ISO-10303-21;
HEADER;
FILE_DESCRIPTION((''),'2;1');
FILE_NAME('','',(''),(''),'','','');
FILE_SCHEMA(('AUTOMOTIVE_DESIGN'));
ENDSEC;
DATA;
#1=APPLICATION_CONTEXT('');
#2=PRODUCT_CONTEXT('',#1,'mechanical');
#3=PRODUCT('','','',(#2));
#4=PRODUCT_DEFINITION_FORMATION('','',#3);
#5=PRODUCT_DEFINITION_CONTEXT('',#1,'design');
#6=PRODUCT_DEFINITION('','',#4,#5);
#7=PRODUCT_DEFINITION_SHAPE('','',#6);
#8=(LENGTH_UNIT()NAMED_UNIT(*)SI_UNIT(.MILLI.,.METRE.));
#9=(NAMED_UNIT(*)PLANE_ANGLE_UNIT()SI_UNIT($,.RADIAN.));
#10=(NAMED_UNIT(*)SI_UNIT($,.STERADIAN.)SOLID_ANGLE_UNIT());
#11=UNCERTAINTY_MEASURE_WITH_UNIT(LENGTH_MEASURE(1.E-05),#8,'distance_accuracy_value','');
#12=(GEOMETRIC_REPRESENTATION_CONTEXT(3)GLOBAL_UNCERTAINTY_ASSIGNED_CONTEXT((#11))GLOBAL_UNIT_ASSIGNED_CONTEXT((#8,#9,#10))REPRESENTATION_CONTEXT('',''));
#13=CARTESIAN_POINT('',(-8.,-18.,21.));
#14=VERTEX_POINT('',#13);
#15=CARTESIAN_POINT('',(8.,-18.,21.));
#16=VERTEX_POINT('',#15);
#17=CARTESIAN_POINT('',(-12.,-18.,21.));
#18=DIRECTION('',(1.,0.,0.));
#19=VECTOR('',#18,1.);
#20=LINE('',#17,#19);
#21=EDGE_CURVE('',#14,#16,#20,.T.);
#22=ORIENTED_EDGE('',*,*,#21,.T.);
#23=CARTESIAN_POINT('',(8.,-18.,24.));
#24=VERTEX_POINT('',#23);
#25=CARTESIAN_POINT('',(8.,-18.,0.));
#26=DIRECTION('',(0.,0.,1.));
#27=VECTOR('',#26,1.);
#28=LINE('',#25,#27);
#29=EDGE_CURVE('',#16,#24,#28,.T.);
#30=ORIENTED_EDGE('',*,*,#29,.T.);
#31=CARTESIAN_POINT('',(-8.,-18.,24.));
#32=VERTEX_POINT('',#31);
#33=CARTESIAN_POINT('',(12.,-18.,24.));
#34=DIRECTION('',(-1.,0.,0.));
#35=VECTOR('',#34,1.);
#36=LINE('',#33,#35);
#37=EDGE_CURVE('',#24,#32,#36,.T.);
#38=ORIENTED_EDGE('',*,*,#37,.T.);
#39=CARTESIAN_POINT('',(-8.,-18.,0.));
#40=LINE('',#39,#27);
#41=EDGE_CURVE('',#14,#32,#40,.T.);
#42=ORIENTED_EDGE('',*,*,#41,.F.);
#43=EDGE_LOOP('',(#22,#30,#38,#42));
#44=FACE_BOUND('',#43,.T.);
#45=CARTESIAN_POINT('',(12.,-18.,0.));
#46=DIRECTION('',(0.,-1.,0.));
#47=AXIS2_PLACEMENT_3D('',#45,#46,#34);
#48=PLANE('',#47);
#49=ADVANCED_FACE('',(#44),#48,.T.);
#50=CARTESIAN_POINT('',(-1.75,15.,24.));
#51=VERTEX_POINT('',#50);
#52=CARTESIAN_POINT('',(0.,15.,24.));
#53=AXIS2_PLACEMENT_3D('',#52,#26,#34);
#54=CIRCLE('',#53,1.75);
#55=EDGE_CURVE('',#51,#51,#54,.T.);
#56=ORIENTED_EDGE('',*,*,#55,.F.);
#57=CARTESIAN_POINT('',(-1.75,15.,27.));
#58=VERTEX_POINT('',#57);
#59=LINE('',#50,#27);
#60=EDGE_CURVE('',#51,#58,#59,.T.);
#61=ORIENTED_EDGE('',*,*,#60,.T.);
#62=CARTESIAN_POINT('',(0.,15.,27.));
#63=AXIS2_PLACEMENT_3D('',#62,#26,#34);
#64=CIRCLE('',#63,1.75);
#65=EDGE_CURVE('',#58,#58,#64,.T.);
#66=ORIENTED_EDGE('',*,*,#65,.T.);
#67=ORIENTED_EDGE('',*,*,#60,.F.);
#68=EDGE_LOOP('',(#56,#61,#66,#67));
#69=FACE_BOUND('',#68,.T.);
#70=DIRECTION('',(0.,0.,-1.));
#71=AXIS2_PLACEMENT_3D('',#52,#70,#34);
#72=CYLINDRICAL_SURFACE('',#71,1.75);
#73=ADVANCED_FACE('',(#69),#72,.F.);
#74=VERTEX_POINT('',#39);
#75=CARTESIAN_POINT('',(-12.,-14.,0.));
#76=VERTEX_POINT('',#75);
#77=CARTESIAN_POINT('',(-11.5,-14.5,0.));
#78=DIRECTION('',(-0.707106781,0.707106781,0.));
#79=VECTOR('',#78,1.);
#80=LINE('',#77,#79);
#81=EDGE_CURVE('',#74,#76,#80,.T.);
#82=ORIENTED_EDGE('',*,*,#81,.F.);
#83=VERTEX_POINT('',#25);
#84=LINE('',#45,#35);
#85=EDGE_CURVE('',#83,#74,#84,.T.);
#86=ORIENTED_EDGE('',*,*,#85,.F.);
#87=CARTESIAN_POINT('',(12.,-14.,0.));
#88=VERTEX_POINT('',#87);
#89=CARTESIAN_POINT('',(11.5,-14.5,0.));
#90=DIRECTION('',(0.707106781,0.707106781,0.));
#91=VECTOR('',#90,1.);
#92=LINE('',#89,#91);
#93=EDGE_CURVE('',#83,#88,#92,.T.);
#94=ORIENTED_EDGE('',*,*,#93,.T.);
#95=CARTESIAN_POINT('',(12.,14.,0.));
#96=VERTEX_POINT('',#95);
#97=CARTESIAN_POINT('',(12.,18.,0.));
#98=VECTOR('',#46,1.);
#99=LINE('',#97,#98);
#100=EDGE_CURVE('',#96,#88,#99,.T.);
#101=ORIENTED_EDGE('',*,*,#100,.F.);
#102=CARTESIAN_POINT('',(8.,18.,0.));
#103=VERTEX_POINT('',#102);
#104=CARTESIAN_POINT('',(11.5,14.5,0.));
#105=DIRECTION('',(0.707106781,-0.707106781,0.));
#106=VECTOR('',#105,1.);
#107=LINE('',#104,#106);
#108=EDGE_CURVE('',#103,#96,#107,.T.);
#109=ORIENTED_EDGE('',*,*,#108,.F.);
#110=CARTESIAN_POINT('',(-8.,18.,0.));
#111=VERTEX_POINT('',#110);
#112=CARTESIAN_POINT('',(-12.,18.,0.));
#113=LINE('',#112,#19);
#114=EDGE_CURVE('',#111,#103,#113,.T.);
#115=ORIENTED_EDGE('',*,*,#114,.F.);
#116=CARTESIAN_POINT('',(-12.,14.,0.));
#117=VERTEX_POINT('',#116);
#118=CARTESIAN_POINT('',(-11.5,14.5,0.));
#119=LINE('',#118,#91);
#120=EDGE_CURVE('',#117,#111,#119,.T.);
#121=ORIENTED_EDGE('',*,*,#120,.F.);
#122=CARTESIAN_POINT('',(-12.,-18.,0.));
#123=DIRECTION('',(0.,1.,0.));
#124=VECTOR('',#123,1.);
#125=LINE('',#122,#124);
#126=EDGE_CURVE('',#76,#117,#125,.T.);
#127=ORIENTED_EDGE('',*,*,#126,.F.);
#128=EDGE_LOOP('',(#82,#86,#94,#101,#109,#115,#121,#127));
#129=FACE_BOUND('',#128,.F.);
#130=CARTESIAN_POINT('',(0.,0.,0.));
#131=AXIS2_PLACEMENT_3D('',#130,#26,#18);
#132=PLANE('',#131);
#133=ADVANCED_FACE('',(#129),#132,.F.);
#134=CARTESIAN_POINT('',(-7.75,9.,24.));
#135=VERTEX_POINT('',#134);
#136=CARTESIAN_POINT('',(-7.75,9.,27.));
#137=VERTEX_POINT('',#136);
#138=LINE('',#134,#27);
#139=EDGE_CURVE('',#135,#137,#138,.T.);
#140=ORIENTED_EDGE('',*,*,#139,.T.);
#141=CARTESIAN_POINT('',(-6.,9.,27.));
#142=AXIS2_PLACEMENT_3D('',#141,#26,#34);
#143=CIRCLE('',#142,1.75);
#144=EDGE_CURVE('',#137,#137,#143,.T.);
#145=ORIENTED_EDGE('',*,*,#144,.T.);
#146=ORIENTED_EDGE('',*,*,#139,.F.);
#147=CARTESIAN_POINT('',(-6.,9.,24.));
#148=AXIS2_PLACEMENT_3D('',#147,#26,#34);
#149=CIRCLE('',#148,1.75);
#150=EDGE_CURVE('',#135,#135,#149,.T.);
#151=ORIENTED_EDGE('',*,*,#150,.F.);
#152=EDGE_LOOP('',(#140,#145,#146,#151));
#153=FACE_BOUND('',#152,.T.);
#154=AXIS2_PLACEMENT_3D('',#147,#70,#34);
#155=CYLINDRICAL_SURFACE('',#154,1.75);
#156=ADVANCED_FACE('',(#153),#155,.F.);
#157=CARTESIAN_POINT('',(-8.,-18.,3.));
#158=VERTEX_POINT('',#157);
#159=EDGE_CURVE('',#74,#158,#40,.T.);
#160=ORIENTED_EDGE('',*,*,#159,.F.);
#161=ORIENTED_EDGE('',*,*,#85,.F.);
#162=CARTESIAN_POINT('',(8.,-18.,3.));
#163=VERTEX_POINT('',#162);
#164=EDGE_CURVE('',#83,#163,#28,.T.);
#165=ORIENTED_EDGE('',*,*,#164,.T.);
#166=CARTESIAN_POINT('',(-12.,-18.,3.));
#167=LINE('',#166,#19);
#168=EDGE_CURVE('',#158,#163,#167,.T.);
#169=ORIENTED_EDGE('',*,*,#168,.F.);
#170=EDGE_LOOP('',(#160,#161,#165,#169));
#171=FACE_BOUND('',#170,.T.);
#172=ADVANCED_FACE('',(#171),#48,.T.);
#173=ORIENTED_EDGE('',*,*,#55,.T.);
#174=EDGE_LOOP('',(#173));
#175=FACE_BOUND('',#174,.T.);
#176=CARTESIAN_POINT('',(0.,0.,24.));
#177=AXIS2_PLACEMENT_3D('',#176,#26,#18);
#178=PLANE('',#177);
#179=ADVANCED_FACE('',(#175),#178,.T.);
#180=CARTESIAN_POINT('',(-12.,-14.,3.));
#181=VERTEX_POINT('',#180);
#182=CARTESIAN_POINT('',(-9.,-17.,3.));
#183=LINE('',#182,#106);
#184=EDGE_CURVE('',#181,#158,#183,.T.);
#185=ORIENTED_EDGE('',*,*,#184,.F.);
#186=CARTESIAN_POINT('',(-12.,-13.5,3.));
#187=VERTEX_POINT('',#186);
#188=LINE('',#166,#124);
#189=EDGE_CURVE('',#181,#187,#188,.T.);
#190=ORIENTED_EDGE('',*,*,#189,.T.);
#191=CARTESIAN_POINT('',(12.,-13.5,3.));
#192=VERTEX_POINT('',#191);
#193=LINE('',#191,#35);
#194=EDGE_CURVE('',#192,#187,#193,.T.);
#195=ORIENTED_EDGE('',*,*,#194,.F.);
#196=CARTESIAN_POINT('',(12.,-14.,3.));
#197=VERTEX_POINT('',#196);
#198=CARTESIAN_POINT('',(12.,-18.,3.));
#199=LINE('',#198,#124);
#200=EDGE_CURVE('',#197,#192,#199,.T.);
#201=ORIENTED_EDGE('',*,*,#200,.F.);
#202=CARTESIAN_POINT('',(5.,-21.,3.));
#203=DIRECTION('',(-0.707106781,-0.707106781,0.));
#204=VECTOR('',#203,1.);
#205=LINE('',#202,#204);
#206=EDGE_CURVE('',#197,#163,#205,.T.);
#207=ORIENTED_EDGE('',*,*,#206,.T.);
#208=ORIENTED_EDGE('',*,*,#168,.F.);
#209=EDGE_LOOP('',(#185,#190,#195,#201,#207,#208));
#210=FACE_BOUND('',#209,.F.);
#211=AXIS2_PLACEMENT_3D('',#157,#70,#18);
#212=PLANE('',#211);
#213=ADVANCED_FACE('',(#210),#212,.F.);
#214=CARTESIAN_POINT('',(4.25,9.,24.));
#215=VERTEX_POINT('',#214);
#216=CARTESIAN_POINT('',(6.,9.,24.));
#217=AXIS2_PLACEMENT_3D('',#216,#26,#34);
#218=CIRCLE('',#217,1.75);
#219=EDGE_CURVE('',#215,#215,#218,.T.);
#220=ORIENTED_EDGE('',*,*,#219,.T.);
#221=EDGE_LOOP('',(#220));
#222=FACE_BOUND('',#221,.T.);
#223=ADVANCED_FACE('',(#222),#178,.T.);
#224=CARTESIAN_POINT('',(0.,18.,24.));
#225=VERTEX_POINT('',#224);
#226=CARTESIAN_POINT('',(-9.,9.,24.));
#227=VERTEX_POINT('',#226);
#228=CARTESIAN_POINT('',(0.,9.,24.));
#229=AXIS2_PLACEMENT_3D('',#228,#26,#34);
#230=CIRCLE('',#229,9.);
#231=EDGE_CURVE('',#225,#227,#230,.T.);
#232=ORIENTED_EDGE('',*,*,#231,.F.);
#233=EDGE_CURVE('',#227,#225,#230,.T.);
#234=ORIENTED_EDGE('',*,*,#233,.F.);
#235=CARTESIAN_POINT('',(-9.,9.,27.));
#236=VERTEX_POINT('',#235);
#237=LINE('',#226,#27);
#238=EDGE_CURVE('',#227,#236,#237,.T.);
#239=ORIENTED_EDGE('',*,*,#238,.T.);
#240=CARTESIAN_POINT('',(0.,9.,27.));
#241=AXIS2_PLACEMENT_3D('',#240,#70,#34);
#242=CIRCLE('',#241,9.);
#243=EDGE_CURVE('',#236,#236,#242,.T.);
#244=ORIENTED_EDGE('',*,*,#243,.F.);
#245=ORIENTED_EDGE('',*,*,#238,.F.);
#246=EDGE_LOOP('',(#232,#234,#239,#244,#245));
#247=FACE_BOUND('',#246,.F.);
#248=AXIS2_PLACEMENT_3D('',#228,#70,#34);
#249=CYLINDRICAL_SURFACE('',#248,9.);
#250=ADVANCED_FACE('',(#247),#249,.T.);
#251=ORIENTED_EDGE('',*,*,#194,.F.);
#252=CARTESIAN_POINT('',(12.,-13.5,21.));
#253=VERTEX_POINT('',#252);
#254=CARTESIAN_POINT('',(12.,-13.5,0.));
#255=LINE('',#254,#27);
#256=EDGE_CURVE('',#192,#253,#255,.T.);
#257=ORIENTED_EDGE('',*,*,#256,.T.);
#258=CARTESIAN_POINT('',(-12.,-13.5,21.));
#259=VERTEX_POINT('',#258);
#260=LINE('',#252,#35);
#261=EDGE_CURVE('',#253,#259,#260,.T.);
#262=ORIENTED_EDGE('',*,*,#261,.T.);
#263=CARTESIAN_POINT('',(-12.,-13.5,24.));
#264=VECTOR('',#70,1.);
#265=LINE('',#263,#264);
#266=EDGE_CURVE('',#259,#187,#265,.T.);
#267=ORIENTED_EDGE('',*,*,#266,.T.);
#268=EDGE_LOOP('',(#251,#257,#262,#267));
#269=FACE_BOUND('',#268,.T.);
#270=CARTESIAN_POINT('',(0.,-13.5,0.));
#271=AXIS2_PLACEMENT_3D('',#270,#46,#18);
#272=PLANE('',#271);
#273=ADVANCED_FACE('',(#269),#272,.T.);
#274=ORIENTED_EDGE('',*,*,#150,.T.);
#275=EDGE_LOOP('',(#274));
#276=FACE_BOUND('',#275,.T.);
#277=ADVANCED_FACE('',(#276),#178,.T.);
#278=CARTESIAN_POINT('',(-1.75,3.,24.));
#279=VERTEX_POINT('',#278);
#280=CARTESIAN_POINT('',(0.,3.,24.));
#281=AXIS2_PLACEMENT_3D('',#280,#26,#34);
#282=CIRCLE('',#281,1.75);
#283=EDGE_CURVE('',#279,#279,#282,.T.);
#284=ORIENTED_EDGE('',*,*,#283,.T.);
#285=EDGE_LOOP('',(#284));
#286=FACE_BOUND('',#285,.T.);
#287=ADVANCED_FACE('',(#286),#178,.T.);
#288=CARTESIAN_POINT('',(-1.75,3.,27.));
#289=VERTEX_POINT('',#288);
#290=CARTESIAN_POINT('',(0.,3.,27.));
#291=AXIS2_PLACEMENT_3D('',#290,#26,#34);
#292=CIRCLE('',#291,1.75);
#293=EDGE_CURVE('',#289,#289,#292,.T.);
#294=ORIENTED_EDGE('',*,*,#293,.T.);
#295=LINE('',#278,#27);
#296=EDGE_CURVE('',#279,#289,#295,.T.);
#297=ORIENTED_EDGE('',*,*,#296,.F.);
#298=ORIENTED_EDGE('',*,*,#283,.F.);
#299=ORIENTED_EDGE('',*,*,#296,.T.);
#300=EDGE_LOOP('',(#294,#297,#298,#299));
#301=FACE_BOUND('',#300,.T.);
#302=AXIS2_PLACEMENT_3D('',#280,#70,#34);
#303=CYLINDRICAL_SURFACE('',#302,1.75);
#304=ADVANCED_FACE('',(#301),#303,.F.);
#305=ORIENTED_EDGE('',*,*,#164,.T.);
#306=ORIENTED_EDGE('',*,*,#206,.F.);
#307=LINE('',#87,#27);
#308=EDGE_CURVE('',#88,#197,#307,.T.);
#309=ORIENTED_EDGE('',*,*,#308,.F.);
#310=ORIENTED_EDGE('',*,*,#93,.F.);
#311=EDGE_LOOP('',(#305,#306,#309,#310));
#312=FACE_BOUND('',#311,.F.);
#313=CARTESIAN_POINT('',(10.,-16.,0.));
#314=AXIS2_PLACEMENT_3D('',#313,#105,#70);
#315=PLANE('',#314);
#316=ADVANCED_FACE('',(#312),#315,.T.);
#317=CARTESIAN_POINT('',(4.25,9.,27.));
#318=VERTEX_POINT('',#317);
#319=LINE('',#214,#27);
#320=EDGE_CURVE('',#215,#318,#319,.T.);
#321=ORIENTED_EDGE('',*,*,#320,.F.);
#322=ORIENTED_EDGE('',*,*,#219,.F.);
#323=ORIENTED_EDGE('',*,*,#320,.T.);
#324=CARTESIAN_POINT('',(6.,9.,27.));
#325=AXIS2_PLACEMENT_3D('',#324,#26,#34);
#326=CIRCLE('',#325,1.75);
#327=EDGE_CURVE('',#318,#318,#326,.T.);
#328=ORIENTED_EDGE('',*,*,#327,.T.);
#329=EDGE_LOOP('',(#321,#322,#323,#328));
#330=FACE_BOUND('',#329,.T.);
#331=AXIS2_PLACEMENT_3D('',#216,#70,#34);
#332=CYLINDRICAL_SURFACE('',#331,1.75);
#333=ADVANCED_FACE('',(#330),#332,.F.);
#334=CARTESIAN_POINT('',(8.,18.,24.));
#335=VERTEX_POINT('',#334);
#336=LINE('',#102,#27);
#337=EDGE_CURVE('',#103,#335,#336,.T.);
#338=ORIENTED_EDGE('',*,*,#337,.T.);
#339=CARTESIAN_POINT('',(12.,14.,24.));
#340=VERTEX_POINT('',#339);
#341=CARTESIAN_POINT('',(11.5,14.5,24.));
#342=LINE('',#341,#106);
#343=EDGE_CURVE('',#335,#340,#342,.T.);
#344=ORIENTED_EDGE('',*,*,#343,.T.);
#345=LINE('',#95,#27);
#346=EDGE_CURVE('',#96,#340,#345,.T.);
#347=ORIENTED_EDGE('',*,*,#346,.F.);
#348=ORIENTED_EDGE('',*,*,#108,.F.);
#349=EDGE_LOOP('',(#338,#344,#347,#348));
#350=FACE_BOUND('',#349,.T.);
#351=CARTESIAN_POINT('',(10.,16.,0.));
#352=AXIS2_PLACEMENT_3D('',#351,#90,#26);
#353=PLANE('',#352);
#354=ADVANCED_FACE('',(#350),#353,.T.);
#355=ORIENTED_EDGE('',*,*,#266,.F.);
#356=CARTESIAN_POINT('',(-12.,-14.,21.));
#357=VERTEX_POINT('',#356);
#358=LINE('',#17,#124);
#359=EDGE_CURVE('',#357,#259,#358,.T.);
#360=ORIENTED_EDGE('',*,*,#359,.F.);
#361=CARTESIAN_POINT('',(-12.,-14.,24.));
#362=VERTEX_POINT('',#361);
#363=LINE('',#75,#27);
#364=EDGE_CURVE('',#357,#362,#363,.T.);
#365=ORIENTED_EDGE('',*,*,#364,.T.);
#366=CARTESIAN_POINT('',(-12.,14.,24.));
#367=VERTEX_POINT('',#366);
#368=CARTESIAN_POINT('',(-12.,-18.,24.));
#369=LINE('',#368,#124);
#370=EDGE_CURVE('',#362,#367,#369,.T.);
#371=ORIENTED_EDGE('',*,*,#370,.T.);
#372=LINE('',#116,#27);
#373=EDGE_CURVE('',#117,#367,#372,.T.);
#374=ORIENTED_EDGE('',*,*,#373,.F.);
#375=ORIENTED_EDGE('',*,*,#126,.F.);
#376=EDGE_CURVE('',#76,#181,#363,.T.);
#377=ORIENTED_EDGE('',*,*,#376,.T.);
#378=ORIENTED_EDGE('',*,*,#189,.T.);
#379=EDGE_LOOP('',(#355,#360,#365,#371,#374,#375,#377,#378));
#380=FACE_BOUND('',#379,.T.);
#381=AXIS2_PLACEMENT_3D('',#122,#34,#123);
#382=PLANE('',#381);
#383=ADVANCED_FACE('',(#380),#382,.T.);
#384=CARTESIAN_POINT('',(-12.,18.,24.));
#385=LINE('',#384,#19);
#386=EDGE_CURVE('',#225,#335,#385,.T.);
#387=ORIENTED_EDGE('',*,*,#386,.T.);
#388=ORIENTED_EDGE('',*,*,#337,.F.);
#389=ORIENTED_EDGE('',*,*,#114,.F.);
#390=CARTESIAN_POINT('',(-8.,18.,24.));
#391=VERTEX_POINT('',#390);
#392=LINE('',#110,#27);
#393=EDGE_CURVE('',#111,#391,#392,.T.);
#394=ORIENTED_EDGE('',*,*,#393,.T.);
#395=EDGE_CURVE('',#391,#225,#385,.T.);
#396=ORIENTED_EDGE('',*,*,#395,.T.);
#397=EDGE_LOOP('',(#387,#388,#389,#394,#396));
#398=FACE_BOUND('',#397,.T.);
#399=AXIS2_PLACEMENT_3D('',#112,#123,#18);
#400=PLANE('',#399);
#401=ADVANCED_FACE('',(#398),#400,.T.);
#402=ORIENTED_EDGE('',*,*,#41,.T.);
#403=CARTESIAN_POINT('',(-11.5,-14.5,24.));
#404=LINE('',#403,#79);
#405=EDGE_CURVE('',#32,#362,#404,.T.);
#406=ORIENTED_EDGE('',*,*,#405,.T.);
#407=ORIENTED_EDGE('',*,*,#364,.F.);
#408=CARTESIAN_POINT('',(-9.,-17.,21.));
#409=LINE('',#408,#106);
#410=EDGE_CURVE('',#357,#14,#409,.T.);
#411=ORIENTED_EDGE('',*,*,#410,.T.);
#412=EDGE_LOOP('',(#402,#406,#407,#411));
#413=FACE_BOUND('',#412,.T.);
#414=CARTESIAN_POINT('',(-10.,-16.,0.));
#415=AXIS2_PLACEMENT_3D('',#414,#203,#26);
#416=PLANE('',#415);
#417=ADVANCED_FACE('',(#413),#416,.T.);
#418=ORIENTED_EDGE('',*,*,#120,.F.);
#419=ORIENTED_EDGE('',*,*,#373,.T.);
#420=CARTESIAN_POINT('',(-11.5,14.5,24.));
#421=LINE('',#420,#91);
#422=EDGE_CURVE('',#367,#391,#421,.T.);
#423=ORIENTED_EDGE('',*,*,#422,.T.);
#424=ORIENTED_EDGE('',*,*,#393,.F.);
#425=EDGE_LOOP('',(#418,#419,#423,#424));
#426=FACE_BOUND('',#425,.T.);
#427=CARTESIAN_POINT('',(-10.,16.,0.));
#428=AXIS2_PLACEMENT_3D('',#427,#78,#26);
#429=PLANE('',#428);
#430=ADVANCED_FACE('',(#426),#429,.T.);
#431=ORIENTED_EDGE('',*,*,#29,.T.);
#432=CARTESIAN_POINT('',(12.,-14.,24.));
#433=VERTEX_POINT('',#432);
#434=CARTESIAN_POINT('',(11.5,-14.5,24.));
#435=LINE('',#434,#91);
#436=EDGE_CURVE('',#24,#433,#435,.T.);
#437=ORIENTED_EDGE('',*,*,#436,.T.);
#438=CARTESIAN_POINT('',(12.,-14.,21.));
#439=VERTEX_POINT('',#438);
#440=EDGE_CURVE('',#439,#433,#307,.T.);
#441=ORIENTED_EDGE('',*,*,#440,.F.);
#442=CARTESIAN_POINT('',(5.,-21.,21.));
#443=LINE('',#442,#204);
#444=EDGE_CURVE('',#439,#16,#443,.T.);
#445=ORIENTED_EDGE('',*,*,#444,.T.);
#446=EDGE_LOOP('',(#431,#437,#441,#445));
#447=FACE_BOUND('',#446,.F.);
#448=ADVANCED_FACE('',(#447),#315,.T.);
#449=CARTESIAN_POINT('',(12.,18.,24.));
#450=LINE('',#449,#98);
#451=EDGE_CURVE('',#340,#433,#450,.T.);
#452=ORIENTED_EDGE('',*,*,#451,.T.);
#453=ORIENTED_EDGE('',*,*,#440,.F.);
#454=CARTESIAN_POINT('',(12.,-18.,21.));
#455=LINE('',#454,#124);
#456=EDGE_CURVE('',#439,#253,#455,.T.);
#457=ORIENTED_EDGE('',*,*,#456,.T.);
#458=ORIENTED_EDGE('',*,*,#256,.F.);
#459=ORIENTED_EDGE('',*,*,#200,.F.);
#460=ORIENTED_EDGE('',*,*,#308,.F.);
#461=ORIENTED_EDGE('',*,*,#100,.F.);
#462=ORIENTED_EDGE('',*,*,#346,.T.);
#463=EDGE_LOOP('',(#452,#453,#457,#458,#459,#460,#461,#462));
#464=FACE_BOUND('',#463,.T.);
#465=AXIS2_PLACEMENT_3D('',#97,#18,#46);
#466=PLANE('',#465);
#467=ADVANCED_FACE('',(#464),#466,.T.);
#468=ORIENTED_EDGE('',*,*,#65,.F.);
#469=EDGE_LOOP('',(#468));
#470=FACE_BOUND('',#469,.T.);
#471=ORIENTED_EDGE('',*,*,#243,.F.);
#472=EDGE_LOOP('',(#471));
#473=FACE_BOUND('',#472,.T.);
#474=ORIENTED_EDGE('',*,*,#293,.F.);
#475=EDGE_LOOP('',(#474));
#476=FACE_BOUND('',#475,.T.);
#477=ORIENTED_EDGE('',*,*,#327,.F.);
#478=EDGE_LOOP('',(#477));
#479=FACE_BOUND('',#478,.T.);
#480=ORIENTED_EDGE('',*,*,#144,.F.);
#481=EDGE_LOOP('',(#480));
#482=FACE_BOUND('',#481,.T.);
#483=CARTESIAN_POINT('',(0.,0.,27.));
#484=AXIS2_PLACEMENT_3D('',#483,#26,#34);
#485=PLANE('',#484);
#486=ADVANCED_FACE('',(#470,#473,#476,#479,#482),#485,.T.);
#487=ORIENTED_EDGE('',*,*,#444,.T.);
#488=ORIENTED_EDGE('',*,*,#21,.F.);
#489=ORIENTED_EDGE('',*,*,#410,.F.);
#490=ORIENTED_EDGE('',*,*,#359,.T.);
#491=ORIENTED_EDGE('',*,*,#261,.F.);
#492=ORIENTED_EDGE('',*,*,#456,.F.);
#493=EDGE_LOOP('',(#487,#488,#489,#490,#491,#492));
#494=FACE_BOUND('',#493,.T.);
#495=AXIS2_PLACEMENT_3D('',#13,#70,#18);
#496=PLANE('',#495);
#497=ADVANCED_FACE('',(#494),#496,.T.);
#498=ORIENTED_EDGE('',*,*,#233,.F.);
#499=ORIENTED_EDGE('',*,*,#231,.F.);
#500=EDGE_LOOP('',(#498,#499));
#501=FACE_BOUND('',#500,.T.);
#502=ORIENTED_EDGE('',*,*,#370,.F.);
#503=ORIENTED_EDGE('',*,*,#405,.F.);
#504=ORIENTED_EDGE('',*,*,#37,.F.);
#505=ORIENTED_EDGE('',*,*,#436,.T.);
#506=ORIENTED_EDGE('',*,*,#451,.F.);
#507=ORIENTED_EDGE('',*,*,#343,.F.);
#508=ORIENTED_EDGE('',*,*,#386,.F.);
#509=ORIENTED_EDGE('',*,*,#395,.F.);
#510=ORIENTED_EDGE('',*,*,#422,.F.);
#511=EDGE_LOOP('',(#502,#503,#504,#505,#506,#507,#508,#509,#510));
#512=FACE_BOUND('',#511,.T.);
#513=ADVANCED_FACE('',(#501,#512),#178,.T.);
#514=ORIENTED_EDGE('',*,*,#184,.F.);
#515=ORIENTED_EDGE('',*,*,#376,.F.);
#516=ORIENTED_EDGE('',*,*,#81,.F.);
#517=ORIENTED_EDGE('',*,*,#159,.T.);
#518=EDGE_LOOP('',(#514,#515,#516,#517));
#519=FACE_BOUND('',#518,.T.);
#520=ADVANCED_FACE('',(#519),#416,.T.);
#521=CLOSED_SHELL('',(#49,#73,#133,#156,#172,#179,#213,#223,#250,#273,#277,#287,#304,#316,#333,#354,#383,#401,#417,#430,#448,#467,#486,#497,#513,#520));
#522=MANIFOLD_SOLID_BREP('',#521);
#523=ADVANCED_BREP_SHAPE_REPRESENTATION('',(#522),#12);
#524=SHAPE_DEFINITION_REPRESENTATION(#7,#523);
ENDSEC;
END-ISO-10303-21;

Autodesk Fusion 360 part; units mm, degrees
sketch "Sketch1" plane through (0, 0, 0) normal (0, 0, 1) x (1, 0, 0)
  line L0 (12, -18) -> (-12, -18)
  line L1 (-12, -18) -> (-12, 18)
  line L2 (-12, 18) -> (12, 18)
  line L3 (12, 18) -> (12, -18)
  line L4 (12, -18) -> (-12, 18) construction
  line L5 (-12, -18) -> (12, 18) construction
  dimension "d1" = 36
  dimension "d2" = 24
extrude "Extrude1" add sketch "Sketch1" along normal blind 24
chamfer "Chamfer1" distance 4 angle 45 4 edges at (12, -18, 12) (12, 18, 12) (-12, -18, 12) (-12, 18, 12)
sketch "Sketch2" plane through (0, 0, 24) normal (0, 0, 1) x (-1, 0, 0)
  line L0 (8, -18) -> (12, -14)
  line L1 (12, -14) -> (12, 14)
  line L2 (12, 14) -> (8, 18)
  line L3 (8, 18) -> (-8, 18)
  line L4 (-8, 18) -> (-12, 14)
  line L5 (-12, 14) -> (-12, -14)
  line L6 (-12, -14) -> (-8, -18)
  line L7 (-8, -18) -> (8, -18)
  circle A0 centre (0, -9) radius 9
  circle A1 centre (0, -9) radius 6 construction
  line L8 (0, 0) -> (0, -18) construction
  circle A2 centre (0, -15) radius 1.75
  circle A3 centre (6, -9) radius 1.75
  circle A4 centre (0, -3) radius 1.75
  circle A5 centre (-6, -9) radius 1.75
  dimension "d6" = 18
  dimension "d7" = 12
  dimension "d8" = 3.5
  dimension "d10" = 360
extrude "Extrude2" add sketch "Sketch2" along normal blind 3 contours A0
sketch "Sketch3" plane through (0, -18, 0) normal (0, -1, 0) x (1, 0, 0)
  line L0 (-8, 24) -> (-8, 0)
  line L1 (-8, 0) -> (8, 0)
  line L2 (8, 0) -> (8, 24)
  line L3 (8, 24) -> (-8, 24)
  line L4 (-12, 0) -> (12, 0)
  line L5 (12, 0) -> (12, 24)
  line L6 (12, 24) -> (-12, 24)
  line L7 (-12, 24) -> (-12, 0)
  line L8 (-12, 21) -> (12, 21)
  line L9 (-12, 3) -> (12, 3)
  point P0 (-12, 24)
  point P1 (12, 24)
  point P2 (12, 0)
  point P3 (-12, 0)
  dimension "d13" = 3
  dimension "d14" = 3
extrude "Extrude3" cut sketch "Sketch3" against normal blind 4.5 contours L0 L2 L8 L9 | L0 L7 L8 L9 | L2 L5 L8 L9
sketch "Sketch5" plane through (0, 0, 24) normal (0, 0, 1) x (-1, 0, 0)
  line L0 (8, -18) -> (12, -14)
  line L1 (12, -14) -> (12, 14)
  line L2 (12, 14) -> (8, 18)
  line L3 (8, 18) -> (-8, 18)
  line L4 (-8, 18) -> (-12, 14)
  line L5 (-12, 14) -> (-12, -14)
  line L6 (-12, -14) -> (-8, -18)
  line L7 (-8, -18) -> (0, -18)
  circle A0 centre (0, -9) radius 9
  line L8 (0, -18) -> (8, -18)
  line L9 (12, 14) -> (-12, 14) construction
  line L10 (0, 14) -> (0, 18) construction
  line L11 (10, 16) -> (-10, 16) construction
  circle A1 centre (0, 16) radius 1.7
  circle A2 centre (-6, 16) radius 1.7
  circle A3 centre (6, 16) radius 1.7
  dimension "d17" = 3.4
  dimension "d20" = 6
  dimension "d21" = 0
extrude "Extrude4" cut sketch "Sketch5" along normal through all contours A1 | A2 | A3
